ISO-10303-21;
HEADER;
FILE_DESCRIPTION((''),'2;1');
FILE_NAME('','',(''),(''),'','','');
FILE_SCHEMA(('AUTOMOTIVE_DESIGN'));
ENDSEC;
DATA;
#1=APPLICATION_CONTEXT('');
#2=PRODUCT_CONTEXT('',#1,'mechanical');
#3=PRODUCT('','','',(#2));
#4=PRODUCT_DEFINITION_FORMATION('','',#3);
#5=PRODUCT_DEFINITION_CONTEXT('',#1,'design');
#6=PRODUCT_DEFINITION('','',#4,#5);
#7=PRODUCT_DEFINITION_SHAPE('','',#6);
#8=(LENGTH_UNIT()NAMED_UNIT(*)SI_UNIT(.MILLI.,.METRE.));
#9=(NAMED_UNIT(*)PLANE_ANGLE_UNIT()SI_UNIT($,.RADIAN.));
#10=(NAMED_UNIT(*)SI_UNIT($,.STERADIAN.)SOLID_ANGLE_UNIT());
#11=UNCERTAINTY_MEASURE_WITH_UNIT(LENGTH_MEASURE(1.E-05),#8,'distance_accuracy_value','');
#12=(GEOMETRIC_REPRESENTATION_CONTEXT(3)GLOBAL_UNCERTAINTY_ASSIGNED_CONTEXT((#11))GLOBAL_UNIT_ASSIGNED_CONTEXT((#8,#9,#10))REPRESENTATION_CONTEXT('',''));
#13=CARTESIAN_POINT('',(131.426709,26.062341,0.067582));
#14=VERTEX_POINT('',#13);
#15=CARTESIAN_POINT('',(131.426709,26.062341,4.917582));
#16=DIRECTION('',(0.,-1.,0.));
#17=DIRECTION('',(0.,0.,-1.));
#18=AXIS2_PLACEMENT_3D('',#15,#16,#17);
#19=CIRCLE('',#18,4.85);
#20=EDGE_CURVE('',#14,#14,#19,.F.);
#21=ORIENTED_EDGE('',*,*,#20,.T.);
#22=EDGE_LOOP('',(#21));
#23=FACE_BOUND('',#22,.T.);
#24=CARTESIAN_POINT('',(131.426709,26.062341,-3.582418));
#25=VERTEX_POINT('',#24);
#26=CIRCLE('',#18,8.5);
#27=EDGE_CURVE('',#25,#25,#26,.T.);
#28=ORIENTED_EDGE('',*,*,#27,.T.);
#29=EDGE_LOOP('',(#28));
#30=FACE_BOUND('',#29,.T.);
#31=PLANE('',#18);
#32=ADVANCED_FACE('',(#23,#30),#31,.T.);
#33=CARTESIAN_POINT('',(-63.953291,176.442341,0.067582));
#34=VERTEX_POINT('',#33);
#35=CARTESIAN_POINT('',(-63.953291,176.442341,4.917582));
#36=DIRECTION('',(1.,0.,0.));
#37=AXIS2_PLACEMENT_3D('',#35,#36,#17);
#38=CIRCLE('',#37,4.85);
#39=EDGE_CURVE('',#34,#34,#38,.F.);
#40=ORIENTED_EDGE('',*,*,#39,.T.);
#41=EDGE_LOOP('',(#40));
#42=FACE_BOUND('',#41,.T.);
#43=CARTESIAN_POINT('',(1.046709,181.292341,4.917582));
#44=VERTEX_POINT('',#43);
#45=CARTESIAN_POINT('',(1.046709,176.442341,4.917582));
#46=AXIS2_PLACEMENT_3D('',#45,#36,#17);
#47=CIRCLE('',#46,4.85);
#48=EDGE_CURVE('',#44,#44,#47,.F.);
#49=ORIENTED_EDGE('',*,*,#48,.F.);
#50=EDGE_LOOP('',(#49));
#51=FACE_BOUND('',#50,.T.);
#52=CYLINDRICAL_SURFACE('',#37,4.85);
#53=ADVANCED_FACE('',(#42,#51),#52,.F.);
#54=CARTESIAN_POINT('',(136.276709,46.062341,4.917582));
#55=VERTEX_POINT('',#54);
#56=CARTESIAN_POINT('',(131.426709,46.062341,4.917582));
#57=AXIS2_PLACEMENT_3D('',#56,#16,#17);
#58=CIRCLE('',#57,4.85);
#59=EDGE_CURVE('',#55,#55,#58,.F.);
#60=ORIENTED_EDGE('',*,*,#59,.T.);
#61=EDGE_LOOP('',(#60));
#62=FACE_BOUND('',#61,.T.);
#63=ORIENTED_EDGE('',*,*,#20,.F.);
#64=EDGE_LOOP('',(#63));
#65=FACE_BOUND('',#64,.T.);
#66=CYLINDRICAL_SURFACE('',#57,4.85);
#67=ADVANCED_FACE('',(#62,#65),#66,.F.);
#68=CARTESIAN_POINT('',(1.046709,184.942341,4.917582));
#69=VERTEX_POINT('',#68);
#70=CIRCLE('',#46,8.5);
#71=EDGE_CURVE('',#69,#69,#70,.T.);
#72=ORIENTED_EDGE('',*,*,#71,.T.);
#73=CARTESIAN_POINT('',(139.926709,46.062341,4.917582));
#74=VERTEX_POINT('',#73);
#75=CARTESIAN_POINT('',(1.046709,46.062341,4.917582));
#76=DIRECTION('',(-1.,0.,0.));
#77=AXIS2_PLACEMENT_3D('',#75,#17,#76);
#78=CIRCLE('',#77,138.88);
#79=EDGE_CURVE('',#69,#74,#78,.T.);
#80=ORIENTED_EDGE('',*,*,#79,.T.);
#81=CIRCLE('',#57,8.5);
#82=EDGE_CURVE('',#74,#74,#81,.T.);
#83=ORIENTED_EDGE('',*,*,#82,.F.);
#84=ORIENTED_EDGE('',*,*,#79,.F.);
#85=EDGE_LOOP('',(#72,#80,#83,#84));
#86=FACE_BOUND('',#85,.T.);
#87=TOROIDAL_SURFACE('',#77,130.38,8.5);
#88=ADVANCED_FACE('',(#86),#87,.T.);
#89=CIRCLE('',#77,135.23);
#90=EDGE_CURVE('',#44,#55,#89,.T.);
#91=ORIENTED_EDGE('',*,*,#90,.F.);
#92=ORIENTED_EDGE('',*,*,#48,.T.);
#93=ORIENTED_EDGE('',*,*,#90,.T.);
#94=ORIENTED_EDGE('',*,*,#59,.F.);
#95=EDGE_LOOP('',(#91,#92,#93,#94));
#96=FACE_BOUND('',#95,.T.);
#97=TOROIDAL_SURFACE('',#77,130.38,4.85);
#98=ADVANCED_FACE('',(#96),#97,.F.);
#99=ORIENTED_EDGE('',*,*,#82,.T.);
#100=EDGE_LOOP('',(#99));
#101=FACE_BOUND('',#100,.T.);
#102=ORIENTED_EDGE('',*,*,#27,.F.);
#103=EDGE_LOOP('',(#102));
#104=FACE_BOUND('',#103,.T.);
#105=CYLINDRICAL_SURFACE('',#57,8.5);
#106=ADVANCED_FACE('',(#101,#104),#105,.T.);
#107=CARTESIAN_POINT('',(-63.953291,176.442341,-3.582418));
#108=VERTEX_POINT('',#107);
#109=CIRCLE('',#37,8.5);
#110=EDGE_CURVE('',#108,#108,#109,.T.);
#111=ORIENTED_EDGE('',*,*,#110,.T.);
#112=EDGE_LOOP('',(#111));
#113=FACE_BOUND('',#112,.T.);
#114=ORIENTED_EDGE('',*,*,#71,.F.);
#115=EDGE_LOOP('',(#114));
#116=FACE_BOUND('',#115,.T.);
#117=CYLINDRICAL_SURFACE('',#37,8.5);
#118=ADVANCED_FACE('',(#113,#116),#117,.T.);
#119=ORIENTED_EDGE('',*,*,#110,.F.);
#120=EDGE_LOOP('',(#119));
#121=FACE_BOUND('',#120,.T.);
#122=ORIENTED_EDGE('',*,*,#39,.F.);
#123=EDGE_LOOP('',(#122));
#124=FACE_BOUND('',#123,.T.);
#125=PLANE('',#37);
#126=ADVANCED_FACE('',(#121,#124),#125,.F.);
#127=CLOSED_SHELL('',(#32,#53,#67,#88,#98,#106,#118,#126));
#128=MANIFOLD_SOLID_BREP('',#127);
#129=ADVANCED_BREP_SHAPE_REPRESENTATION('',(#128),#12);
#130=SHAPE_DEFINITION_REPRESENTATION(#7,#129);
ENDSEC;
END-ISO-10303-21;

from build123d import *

# Parameters (mm, degrees)
SKETCH2_R   = 8.5
SKETCH2_R_2 = 4.85


with BuildPart() as part:
    # Sweep1: sweep along a curve in space
    with BuildLine() as sweep1_path:
        Line((-63.953291268, 176.442341084, 4.917581679), (1.046708732, 176.442341084, 4.917581679))
        ThreePointArc((1.046708732, 176.442341084, 4.917581679), (93.239290863, 138.254923215, 4.917581679), (131.426708732, 46.062341084, 4.917581679))
        Line((131.426708732, 26.062341084, 4.917581679), (131.426708732, 46.062341084, 4.917581679))
    # Sketch2 → Sweep1 (sweep)
    with BuildSketch(Plane(origin=(-63.953291268, 176.442341084, 4.917581679), x_dir=(0, 0, -1), z_dir=(1, 0, 0))):
        Circle(SKETCH2_R)
        Circle(SKETCH2_R_2, mode=Mode.SUBTRACT)
    sweep(path=sweep1_path.line)


solid = part.part
